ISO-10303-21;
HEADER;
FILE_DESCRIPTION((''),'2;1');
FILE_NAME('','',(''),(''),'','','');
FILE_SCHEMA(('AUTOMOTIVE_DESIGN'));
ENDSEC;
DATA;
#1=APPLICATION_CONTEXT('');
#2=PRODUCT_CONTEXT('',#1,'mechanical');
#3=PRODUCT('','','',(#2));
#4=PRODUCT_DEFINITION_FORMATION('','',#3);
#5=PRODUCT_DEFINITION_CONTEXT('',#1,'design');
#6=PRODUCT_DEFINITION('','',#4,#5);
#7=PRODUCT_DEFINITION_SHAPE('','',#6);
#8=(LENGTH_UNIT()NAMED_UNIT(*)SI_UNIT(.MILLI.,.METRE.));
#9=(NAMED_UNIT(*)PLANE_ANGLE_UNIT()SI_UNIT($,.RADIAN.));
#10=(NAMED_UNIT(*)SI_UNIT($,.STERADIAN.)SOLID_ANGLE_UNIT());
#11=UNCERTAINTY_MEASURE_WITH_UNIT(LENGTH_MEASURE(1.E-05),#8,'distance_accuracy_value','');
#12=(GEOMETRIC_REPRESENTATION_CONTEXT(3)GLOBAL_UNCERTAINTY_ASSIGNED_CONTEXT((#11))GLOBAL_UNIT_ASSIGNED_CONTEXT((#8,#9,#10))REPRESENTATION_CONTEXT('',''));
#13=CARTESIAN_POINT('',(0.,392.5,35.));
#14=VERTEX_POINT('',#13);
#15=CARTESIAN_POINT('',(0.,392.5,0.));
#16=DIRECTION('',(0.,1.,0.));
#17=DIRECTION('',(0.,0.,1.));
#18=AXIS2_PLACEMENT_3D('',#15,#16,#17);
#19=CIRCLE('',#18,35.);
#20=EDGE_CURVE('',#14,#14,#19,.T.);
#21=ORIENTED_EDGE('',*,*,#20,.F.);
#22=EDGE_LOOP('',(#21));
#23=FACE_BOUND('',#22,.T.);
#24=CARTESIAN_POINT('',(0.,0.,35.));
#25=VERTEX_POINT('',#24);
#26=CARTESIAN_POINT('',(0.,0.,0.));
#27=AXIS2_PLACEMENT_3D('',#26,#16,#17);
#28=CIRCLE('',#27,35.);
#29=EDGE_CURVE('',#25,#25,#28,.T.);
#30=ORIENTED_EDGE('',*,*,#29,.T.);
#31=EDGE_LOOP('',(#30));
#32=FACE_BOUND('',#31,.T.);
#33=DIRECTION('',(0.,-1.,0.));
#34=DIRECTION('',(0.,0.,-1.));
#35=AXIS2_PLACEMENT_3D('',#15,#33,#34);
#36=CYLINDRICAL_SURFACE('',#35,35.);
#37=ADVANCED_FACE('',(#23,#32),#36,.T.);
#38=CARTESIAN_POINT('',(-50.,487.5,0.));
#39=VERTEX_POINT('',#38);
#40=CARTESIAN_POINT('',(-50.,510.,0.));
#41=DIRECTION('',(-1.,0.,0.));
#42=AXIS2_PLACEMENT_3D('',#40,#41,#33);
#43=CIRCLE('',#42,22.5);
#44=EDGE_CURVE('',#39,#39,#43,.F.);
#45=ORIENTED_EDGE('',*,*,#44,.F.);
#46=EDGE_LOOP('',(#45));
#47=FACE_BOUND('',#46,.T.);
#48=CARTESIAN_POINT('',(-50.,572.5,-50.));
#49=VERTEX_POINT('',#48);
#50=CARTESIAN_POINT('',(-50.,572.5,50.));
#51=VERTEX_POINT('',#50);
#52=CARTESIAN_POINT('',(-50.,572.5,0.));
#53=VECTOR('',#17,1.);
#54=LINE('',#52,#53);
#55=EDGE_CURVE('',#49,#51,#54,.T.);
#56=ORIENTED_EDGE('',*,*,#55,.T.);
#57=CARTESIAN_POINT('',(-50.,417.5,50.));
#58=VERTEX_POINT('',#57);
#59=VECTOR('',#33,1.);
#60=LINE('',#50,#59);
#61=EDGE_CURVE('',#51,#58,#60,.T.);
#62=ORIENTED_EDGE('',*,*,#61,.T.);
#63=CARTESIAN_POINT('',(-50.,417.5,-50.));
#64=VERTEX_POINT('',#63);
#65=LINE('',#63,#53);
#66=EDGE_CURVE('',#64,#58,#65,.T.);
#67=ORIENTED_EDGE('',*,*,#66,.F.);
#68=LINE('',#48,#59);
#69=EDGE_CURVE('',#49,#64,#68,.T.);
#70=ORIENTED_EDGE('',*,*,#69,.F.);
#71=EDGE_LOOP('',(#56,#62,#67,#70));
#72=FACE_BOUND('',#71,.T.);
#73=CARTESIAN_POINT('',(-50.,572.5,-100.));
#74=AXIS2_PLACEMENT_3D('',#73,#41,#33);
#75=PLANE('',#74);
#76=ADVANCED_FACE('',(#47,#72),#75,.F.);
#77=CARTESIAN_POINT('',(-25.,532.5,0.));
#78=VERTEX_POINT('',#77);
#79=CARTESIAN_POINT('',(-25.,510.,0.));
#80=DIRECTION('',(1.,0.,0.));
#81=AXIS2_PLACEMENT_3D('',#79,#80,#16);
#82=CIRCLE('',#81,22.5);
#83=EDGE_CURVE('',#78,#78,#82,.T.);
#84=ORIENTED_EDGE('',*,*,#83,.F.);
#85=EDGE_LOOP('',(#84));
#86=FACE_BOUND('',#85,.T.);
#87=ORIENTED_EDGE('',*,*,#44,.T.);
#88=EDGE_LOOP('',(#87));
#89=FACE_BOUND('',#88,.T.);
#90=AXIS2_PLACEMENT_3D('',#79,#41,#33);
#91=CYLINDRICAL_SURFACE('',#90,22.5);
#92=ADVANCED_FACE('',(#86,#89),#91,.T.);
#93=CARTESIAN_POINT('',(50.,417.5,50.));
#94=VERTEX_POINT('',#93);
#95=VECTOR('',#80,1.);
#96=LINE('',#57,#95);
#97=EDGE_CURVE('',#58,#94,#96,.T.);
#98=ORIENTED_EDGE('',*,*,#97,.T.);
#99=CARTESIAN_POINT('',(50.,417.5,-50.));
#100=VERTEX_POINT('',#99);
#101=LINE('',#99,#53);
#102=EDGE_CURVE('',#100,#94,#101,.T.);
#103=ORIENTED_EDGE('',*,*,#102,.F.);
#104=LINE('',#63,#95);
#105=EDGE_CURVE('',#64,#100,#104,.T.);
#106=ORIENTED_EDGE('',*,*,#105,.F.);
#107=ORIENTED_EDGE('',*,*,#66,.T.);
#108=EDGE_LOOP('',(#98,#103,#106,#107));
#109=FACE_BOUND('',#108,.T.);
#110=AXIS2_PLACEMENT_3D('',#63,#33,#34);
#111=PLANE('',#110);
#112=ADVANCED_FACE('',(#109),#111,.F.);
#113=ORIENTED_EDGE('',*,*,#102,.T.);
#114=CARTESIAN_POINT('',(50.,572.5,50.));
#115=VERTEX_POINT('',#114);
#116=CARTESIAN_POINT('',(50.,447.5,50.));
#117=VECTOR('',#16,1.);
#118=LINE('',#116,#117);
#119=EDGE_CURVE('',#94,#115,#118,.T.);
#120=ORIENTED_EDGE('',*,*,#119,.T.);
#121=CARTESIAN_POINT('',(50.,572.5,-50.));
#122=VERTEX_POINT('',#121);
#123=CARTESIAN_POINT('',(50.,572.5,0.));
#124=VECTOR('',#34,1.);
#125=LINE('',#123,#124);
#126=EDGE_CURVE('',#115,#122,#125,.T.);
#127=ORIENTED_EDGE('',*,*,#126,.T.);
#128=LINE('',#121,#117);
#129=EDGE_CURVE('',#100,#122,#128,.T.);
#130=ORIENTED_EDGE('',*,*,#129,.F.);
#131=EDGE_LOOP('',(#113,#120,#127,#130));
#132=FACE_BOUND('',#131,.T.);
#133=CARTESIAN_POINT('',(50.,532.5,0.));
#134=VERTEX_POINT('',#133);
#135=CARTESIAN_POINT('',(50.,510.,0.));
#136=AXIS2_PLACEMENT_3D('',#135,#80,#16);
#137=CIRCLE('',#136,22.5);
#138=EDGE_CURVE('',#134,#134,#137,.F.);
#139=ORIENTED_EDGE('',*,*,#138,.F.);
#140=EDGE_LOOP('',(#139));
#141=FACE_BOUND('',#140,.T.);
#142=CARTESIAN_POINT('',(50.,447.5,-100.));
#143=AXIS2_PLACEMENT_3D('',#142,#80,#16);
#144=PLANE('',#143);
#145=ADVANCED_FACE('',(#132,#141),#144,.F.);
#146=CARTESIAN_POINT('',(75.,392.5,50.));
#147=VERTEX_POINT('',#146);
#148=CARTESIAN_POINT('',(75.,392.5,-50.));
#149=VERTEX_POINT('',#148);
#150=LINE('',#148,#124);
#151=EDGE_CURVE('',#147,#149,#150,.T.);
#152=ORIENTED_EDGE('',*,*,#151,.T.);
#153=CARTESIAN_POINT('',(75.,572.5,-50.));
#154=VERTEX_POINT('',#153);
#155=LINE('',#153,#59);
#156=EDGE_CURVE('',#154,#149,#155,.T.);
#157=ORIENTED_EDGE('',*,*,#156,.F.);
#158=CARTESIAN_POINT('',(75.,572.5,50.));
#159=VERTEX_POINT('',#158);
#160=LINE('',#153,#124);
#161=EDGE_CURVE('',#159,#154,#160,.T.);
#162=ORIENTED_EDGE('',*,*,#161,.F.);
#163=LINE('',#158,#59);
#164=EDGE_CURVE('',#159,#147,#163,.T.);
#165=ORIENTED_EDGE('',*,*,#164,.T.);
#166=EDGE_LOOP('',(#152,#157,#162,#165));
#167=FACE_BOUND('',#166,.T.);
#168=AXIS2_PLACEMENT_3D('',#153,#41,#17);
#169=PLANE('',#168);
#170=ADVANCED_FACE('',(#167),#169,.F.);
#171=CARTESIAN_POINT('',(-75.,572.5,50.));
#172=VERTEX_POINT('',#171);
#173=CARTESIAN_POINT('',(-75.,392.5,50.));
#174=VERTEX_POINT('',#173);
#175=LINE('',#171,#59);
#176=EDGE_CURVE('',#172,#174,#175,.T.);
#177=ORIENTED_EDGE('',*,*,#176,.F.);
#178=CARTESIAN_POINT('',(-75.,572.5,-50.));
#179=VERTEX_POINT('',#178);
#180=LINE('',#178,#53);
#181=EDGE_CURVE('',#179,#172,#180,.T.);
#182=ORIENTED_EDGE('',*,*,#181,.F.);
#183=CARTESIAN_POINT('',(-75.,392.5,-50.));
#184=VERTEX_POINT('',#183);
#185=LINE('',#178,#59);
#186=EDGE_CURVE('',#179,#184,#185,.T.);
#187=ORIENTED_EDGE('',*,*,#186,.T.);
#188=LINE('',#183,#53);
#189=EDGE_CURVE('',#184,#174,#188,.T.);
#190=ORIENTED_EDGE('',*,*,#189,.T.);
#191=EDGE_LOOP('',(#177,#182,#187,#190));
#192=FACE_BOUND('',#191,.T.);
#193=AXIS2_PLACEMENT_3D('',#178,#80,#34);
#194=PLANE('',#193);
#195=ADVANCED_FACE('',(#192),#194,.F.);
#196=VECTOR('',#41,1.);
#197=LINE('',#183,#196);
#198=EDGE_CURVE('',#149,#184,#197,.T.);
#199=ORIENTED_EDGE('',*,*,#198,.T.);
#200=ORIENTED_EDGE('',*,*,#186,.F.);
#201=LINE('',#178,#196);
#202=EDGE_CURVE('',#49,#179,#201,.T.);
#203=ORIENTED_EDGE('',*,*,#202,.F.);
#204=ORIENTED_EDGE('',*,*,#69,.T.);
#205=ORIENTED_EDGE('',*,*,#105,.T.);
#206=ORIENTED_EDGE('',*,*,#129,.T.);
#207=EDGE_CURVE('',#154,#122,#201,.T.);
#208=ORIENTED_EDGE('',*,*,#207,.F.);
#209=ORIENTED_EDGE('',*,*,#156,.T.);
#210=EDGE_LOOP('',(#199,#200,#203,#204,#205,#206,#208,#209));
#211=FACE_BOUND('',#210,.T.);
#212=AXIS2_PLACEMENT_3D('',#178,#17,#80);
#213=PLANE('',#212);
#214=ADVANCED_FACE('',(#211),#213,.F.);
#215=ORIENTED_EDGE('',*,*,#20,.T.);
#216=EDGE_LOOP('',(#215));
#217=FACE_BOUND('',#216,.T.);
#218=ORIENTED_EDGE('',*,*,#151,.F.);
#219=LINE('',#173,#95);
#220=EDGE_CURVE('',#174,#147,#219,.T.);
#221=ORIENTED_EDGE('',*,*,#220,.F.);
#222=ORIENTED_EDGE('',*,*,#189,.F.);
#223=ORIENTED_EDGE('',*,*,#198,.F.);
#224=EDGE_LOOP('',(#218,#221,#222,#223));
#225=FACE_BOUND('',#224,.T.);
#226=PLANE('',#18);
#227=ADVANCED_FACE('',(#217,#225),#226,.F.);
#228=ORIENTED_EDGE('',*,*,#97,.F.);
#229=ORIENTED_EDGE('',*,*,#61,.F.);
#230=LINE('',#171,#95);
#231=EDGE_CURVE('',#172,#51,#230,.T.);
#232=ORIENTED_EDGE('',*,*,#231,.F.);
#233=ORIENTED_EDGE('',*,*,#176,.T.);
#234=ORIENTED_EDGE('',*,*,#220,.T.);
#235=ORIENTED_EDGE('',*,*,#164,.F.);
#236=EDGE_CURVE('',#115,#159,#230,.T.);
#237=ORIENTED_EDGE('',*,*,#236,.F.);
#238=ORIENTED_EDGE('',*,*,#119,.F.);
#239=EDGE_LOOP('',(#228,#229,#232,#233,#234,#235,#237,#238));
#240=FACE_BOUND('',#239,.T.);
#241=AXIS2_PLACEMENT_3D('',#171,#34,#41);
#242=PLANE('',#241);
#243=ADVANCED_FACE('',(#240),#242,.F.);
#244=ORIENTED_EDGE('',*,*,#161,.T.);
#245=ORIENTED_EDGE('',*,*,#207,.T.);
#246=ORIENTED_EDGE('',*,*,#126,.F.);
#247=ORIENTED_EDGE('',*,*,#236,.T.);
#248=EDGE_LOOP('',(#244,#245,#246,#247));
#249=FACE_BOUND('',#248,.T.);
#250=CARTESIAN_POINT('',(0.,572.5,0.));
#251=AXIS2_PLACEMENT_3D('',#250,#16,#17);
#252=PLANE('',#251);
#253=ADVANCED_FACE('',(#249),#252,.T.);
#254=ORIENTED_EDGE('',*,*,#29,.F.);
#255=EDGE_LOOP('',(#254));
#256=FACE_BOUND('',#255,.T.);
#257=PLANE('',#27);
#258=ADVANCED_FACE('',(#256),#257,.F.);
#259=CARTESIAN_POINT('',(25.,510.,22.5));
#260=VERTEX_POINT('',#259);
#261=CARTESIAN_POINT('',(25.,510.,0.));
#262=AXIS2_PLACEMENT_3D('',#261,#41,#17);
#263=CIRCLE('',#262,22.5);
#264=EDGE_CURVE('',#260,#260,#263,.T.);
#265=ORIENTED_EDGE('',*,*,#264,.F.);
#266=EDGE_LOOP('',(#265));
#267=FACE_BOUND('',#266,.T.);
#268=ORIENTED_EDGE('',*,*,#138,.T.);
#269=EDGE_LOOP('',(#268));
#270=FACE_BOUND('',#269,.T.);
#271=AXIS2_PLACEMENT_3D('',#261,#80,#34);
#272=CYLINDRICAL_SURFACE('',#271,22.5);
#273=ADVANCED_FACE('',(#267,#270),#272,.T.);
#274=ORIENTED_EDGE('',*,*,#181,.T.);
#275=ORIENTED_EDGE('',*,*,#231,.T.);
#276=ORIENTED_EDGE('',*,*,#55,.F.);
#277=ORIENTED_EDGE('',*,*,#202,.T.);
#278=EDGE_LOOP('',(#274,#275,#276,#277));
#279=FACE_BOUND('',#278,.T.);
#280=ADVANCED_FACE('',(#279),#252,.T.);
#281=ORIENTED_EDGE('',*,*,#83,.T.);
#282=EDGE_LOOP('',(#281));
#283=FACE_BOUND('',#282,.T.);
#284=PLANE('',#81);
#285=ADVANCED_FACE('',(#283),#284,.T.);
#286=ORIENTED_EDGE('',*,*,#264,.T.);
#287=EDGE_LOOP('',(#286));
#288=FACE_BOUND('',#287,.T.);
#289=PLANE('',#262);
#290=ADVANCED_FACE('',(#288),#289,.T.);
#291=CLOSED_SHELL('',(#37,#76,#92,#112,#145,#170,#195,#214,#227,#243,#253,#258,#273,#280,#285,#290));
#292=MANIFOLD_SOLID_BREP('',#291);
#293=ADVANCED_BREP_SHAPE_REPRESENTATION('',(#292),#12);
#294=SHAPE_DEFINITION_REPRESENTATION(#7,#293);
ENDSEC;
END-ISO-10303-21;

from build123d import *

# Parameters (mm, degrees)
SKETCH1_R           = 35
BOSS_EXTRUDE1_DEPTH = 392.5
SKETCH2_W           = 150
SKETCH2_H           = 100
BOSS_EXTRUDE2_DEPTH = 180
SKETCH3_W           = 100
SKETCH3_H           = 125
CUT_EXTRUDE1_DEPTH  = 150
SKETCH4_R           = 22.5
BOSS_EXTRUDE3_DEPTH = 25
BOSS_EXTRUDE4_START = 25
SKETCH5_R           = 22.5
BOSS_EXTRUDE4_DEPTH = 25
SKETCH6_W           = 100
SKETCH6_H           = 30
CUT_EXTRUDE2_DEPTH  = 586.987414541


with BuildPart() as part:
    # Sketch1 → Boss-Extrude1 (new body)
    with BuildSketch(Plane(origin=(0, 0, 0), x_dir=(1, 0, 0), z_dir=(0, 1, 0))):
        with Locations(Location((0, 0, 0), (0, 0, 270))):
            Circle(SKETCH1_R)
    extrude(amount=BOSS_EXTRUDE1_DEPTH)

    # Sketch2 → Boss-Extrude2 (add)
    with BuildSketch(Plane(origin=(0, 392.5, 0), x_dir=(1, 0, 0), z_dir=(0, 1, 0))):
        Rectangle(SKETCH2_W, SKETCH2_H)
    extrude(amount=BOSS_EXTRUDE2_DEPTH)

    # Sketch3 → Cut-Extrude1 (cut)
    with BuildSketch(Plane.XY.offset(50)):
        with Locations((0, 510)):
            Rectangle(SKETCH3_W, SKETCH3_H)
    extrude(amount=-CUT_EXTRUDE1_DEPTH, mode=Mode.SUBTRACT)

    # Sketch4 → Boss-Extrude3 (add)
    with BuildSketch(Plane.ZY.offset(-50)):
        with Locations(Location((0, 510, 0), (0, 0, 90))):
            Circle(SKETCH4_R)
    extrude(amount=BOSS_EXTRUDE3_DEPTH)

    # Sketch5 → Boss-Extrude4 (add)
    with BuildSketch(Plane(origin=(-50, 0, 0), x_dir=(0, 0, -1), z_dir=(1, 0, 0)).offset(BOSS_EXTRUDE4_START)):
        with Locations(Location((0, 510, 0), (0, 0, 90))):
            Circle(SKETCH5_R)
    extrude(amount=-BOSS_EXTRUDE4_DEPTH)

    # Sketch6 → Cut-Extrude2 (cut, through all)
    with BuildSketch(Plane.XY.offset(50)):
        with Locations((0, 432.5)):
            Rectangle(SKETCH6_W, SKETCH6_H)
    extrude(amount=-CUT_EXTRUDE2_DEPTH, mode=Mode.SUBTRACT)


solid = part.part
